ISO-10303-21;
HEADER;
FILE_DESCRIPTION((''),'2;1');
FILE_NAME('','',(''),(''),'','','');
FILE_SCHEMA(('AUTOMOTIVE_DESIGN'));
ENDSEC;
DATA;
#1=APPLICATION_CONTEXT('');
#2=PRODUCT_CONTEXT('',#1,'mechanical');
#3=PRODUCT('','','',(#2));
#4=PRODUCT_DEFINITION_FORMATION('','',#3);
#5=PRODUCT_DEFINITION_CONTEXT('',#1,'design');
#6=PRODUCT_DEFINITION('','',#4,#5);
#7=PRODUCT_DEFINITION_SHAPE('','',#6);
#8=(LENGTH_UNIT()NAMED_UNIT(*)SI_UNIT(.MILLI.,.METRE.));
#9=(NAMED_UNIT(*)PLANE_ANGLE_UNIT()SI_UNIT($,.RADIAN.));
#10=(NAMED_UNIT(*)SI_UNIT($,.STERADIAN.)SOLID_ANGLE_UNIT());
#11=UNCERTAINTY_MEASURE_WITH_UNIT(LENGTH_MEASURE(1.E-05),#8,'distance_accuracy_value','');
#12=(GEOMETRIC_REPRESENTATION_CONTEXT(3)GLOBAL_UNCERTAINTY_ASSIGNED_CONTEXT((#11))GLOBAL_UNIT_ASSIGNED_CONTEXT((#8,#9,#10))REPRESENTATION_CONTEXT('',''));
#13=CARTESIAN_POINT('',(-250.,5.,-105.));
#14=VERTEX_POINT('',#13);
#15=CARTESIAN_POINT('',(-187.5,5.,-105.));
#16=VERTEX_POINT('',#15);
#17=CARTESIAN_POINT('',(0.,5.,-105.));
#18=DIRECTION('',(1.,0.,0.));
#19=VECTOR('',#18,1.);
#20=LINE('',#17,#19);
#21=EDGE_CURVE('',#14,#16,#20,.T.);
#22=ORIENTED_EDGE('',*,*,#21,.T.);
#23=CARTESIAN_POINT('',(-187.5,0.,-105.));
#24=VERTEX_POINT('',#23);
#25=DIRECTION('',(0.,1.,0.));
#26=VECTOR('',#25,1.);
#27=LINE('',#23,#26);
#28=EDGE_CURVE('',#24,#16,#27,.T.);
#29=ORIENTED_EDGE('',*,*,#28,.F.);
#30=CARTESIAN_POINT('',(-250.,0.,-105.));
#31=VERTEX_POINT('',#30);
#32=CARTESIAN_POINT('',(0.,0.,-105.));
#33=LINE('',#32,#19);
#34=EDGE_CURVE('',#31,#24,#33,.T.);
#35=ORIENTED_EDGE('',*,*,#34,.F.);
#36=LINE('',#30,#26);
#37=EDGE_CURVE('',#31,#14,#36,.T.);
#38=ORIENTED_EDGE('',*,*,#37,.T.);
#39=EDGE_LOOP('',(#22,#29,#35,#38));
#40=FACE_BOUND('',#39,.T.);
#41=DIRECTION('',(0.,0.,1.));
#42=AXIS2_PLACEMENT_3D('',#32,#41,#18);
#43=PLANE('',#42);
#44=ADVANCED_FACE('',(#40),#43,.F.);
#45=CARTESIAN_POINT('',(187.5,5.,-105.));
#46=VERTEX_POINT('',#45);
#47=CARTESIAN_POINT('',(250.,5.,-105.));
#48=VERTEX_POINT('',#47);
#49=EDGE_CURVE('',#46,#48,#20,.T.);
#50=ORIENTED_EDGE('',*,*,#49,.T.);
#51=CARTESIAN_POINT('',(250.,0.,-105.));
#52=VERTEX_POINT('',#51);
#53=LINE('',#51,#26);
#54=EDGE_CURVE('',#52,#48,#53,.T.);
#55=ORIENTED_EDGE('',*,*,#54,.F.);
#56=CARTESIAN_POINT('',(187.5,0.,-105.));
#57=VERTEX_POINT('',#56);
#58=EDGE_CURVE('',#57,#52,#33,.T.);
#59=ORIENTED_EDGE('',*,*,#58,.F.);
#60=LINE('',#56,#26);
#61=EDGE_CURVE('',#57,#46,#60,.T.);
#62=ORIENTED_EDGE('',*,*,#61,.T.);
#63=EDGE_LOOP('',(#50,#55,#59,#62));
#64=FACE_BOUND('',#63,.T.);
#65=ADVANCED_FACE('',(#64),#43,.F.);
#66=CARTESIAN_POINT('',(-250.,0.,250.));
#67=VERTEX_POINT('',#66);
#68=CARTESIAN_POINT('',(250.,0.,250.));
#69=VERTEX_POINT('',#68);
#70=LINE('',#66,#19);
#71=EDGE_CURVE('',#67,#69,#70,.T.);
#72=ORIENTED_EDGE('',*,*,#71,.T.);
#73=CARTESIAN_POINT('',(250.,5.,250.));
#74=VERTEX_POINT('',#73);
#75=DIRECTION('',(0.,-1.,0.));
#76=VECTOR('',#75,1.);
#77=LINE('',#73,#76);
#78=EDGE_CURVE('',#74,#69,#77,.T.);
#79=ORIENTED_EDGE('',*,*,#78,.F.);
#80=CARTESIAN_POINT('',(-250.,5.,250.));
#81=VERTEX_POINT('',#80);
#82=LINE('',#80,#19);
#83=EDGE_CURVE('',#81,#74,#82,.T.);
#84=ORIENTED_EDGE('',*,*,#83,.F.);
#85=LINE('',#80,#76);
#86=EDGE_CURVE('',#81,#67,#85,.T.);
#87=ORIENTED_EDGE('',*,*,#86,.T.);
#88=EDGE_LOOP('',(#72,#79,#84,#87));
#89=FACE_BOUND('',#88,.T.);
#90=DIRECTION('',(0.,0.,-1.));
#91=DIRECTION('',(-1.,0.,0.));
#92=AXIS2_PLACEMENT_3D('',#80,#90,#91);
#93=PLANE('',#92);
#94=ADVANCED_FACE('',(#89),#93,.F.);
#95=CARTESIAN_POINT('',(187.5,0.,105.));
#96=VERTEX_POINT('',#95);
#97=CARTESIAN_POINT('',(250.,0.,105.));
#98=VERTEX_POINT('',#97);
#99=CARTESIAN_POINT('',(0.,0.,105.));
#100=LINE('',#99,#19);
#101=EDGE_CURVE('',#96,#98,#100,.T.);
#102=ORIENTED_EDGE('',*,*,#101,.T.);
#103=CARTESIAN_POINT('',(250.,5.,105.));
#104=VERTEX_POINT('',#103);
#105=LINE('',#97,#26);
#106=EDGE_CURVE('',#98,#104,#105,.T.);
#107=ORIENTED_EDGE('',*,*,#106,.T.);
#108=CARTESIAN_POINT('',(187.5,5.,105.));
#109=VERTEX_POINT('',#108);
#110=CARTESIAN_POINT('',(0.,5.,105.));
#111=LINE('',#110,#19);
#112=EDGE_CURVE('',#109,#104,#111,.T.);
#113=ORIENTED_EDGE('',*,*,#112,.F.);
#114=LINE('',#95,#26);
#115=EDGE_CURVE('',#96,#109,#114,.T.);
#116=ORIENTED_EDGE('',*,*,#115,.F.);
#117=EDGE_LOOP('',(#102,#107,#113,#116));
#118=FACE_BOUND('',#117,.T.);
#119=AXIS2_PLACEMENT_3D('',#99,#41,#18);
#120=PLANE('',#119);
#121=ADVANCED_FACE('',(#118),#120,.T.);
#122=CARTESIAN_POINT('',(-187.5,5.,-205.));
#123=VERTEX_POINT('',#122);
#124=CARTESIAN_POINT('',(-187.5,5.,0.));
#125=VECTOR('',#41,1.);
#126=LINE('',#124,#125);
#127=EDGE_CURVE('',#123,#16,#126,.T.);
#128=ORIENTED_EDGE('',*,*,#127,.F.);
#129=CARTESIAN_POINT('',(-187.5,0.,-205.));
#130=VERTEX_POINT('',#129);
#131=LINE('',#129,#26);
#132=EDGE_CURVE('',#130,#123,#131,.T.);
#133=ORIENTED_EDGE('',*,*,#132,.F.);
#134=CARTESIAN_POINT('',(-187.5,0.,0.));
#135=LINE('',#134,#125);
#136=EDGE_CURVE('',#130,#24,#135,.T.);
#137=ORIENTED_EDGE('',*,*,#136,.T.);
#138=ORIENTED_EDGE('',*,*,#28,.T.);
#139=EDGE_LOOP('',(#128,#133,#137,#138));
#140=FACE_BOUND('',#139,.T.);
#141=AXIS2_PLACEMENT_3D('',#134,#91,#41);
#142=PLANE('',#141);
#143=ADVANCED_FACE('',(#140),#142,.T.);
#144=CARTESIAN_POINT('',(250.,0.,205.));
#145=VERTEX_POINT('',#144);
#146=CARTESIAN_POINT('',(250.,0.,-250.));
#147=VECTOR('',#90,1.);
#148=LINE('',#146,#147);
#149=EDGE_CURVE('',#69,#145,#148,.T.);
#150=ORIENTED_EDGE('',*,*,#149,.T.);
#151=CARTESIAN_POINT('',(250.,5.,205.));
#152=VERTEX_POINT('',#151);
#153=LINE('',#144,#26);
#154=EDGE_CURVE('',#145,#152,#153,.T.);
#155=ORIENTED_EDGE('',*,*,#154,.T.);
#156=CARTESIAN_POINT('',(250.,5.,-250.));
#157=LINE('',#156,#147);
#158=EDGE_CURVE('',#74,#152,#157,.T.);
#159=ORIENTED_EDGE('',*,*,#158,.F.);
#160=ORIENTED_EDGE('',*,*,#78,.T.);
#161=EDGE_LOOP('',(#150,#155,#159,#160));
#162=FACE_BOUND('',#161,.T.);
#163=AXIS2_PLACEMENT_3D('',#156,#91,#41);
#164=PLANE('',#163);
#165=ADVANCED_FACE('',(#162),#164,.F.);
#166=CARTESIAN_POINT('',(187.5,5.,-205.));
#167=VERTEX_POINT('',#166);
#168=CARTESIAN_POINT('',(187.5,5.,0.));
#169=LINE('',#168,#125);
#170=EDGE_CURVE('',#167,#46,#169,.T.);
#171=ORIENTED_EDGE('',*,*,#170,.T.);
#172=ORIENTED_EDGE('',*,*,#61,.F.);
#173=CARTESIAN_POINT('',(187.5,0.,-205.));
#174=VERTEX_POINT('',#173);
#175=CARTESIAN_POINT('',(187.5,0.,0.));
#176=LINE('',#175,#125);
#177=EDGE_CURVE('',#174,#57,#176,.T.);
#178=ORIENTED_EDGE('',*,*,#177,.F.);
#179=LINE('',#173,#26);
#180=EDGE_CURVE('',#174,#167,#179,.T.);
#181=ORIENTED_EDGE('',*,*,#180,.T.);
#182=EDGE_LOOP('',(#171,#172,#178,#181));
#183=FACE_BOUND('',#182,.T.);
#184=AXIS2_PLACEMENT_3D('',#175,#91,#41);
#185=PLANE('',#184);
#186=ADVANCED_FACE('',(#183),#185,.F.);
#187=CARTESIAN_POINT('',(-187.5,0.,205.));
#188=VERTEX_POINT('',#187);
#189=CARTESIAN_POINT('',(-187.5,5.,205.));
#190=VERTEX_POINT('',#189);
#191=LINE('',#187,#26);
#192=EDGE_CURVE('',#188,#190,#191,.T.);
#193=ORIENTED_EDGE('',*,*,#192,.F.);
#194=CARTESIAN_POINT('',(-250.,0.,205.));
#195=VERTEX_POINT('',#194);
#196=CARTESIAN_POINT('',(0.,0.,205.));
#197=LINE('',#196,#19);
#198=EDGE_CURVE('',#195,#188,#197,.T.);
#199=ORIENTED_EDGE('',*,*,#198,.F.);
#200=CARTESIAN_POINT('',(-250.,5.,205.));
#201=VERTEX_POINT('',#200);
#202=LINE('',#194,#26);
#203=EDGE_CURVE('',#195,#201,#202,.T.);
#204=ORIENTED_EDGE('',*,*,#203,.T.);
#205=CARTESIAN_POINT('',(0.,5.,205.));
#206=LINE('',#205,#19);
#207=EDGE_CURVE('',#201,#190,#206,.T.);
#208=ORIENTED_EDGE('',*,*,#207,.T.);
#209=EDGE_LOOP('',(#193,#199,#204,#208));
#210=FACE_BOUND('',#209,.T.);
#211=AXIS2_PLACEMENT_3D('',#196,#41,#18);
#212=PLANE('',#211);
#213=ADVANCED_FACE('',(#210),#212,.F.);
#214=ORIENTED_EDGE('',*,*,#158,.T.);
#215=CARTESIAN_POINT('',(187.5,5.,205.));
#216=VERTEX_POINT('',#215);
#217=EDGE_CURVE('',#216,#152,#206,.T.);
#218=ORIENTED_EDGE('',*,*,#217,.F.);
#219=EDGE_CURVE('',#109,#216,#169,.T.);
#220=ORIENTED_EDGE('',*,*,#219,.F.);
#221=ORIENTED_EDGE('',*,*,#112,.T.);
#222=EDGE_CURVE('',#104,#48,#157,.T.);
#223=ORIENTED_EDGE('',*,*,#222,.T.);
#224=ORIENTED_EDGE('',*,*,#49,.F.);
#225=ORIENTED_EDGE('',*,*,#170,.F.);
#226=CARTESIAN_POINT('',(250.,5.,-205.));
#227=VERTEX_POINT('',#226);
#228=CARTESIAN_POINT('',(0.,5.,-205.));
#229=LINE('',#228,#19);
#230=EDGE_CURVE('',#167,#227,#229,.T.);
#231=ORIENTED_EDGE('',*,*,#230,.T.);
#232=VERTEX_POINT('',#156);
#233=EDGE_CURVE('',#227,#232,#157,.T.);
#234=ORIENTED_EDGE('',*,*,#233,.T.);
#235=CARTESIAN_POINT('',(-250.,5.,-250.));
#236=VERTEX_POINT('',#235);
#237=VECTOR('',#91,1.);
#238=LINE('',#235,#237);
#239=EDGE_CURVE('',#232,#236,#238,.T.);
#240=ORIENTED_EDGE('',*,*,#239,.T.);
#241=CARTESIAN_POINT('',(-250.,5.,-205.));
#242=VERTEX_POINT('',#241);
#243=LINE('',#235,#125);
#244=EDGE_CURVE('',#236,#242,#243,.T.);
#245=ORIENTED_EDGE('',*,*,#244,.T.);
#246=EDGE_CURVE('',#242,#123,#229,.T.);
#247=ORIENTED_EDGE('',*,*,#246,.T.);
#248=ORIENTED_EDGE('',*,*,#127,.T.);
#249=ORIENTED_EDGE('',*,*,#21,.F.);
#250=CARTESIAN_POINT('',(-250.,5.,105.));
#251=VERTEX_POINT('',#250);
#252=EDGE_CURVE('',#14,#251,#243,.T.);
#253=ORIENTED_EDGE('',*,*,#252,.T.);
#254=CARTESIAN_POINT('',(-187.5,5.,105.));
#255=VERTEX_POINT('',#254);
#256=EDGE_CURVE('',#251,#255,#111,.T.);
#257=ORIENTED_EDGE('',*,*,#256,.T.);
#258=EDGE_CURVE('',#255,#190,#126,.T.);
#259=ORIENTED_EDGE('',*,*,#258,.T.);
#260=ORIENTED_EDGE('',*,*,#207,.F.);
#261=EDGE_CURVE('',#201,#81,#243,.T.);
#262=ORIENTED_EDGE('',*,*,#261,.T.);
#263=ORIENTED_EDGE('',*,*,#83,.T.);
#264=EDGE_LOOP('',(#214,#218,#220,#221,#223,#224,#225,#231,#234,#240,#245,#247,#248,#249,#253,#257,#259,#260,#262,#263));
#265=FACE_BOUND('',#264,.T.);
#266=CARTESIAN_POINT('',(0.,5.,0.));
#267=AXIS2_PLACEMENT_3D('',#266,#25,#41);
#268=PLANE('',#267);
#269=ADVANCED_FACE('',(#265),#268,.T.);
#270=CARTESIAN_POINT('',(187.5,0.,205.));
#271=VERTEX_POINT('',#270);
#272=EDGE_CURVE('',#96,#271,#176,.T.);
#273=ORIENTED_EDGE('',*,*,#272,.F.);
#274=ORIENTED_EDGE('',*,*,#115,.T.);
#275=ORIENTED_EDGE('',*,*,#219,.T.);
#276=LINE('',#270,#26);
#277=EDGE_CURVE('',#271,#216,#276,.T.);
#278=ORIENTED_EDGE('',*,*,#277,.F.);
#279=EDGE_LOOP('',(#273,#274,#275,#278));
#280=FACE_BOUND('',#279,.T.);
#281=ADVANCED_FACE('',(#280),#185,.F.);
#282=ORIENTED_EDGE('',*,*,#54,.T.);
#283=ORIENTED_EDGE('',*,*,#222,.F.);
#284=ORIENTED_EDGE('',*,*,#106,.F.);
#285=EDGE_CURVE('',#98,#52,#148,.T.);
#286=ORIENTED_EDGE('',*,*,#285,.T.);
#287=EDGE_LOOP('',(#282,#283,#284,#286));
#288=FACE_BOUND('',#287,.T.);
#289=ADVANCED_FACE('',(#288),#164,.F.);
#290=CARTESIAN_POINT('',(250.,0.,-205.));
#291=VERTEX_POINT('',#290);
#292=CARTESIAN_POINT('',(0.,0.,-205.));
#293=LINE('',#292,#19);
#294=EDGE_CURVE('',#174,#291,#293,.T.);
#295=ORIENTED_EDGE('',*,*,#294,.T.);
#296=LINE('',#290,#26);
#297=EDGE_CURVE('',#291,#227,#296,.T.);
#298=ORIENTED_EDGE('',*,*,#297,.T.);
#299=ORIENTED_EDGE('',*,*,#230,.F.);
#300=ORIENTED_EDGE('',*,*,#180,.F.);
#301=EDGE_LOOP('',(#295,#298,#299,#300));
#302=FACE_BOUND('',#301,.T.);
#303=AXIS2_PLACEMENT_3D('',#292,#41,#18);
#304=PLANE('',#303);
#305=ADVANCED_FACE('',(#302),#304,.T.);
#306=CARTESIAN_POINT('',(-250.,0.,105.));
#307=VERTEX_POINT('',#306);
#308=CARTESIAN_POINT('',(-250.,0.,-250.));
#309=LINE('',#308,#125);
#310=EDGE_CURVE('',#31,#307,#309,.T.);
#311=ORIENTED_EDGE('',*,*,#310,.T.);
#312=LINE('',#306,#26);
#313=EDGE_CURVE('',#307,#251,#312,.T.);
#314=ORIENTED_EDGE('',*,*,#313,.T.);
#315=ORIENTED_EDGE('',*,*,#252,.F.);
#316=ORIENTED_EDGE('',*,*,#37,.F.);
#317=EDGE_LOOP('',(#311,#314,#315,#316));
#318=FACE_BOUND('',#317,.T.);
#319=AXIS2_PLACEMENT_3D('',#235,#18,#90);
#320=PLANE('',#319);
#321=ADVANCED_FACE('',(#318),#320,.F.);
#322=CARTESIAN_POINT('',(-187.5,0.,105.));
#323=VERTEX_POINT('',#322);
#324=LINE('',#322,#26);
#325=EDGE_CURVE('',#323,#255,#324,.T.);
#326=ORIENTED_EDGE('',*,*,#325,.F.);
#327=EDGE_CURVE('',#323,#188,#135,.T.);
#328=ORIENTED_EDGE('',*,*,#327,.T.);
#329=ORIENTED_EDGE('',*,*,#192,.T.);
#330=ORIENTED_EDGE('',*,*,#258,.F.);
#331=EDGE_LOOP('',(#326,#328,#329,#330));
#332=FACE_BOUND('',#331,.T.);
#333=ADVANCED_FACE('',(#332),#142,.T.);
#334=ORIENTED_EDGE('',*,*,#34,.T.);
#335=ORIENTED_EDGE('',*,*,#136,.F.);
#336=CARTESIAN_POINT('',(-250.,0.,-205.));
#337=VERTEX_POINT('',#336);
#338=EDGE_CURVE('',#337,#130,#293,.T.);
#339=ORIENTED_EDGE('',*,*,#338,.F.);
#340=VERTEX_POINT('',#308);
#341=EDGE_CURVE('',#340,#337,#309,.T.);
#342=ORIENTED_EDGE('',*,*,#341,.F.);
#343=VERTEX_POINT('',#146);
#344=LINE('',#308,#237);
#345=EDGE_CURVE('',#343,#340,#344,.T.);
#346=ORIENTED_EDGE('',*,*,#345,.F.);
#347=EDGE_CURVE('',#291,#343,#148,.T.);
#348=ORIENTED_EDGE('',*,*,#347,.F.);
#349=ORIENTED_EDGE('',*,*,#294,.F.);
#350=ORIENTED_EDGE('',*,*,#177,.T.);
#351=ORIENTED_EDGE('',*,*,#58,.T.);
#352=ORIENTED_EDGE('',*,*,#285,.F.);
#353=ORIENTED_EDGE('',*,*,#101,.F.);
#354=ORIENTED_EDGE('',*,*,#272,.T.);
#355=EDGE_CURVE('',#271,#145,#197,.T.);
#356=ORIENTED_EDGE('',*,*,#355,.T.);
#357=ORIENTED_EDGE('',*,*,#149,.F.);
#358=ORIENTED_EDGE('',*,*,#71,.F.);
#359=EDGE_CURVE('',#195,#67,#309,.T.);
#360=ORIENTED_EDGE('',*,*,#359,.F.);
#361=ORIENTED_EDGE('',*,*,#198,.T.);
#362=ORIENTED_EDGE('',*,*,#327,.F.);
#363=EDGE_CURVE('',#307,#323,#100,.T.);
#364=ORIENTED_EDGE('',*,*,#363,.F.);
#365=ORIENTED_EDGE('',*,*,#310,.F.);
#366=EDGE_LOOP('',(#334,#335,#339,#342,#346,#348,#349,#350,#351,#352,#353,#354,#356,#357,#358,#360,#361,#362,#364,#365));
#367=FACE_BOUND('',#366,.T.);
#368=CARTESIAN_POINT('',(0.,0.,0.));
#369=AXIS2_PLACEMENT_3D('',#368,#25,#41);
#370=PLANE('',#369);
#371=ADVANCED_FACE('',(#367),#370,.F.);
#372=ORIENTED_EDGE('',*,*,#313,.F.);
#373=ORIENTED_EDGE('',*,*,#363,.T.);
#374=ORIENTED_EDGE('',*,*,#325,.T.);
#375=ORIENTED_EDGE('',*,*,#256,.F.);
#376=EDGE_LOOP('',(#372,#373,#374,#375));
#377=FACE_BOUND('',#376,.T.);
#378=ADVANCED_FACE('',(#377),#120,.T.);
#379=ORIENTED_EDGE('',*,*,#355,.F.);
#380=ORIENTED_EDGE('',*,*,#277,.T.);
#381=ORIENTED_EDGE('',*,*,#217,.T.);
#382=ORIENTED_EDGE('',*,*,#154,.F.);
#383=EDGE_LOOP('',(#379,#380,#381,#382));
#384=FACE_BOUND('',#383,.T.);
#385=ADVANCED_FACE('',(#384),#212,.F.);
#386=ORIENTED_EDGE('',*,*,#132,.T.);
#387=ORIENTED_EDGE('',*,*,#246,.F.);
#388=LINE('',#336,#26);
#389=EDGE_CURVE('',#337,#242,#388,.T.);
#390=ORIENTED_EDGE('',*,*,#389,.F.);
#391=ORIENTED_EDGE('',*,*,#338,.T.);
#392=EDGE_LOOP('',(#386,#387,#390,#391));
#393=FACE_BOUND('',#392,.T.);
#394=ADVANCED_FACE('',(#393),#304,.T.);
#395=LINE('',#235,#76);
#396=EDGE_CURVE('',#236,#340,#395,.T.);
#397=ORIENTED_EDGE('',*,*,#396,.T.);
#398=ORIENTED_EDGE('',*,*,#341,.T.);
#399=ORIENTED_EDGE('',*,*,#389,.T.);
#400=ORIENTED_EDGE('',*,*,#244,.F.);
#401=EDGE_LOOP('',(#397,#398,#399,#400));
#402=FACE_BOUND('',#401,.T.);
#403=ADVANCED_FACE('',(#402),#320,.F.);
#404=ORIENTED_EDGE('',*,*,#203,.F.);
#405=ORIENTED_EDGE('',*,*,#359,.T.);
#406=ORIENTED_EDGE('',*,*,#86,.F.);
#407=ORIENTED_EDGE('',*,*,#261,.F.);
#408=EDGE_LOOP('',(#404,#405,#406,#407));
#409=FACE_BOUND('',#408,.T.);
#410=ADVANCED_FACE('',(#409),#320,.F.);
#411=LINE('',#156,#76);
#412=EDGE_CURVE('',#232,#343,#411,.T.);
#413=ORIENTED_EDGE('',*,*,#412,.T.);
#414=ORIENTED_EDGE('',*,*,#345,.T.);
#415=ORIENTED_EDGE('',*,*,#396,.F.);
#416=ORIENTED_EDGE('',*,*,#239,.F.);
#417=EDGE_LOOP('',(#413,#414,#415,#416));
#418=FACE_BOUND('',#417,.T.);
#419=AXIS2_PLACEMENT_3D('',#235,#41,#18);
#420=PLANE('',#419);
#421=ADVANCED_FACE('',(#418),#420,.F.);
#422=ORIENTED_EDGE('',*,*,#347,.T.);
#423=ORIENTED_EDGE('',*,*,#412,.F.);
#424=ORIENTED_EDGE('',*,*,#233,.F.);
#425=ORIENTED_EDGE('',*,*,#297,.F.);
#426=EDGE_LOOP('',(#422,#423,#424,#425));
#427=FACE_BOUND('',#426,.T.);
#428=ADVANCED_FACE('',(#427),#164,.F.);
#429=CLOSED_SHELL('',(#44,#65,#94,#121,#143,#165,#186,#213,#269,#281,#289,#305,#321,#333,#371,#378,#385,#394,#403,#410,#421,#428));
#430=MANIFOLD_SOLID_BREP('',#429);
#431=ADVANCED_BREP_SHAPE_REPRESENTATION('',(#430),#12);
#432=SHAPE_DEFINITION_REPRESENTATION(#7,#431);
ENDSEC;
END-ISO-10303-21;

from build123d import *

# Parameters (mm, degrees)
SKETCH1_W           = 500
SKETCH1_H           = 500
BOSS_EXTRUDE1_DEPTH = 5
CUT_EXTRUDE1_DEPTH  = 5


with BuildPart() as part:
    # Sketch1 → Boss-Extrude1 (new body)
    with BuildSketch(Plane(origin=(0, 0, 0), x_dir=(1, 0, 0), z_dir=(0, 1, 0))):
        Rectangle(SKETCH1_W, SKETCH1_H)
    extrude(amount=BOSS_EXTRUDE1_DEPTH)

    # Sketch3 → Cut-Extrude1 (cut)
    with BuildSketch(Plane(origin=(0, 5, 0), x_dir=(1, 0, 0), z_dir=(0, 1, 0))):
        Polygon((-187.5, 205), (-250, 205), (-250, 155), (-250, 105), (-187.5, 105), align=None)
        Polygon((-187.5, -105), (-250, -105), (-250, -155), (-250, -205), (-187.5, -205), align=None)
        Polygon((250, -155), (250, -105), (187.5, -105), (187.5, -205), (250, -205), align=None)
        Polygon((250, 155), (250, 205), (187.5, 205), (187.5, 105), (250, 105), align=None)
    extrude(amount=-CUT_EXTRUDE1_DEPTH, mode=Mode.SUBTRACT)


solid = part.part
